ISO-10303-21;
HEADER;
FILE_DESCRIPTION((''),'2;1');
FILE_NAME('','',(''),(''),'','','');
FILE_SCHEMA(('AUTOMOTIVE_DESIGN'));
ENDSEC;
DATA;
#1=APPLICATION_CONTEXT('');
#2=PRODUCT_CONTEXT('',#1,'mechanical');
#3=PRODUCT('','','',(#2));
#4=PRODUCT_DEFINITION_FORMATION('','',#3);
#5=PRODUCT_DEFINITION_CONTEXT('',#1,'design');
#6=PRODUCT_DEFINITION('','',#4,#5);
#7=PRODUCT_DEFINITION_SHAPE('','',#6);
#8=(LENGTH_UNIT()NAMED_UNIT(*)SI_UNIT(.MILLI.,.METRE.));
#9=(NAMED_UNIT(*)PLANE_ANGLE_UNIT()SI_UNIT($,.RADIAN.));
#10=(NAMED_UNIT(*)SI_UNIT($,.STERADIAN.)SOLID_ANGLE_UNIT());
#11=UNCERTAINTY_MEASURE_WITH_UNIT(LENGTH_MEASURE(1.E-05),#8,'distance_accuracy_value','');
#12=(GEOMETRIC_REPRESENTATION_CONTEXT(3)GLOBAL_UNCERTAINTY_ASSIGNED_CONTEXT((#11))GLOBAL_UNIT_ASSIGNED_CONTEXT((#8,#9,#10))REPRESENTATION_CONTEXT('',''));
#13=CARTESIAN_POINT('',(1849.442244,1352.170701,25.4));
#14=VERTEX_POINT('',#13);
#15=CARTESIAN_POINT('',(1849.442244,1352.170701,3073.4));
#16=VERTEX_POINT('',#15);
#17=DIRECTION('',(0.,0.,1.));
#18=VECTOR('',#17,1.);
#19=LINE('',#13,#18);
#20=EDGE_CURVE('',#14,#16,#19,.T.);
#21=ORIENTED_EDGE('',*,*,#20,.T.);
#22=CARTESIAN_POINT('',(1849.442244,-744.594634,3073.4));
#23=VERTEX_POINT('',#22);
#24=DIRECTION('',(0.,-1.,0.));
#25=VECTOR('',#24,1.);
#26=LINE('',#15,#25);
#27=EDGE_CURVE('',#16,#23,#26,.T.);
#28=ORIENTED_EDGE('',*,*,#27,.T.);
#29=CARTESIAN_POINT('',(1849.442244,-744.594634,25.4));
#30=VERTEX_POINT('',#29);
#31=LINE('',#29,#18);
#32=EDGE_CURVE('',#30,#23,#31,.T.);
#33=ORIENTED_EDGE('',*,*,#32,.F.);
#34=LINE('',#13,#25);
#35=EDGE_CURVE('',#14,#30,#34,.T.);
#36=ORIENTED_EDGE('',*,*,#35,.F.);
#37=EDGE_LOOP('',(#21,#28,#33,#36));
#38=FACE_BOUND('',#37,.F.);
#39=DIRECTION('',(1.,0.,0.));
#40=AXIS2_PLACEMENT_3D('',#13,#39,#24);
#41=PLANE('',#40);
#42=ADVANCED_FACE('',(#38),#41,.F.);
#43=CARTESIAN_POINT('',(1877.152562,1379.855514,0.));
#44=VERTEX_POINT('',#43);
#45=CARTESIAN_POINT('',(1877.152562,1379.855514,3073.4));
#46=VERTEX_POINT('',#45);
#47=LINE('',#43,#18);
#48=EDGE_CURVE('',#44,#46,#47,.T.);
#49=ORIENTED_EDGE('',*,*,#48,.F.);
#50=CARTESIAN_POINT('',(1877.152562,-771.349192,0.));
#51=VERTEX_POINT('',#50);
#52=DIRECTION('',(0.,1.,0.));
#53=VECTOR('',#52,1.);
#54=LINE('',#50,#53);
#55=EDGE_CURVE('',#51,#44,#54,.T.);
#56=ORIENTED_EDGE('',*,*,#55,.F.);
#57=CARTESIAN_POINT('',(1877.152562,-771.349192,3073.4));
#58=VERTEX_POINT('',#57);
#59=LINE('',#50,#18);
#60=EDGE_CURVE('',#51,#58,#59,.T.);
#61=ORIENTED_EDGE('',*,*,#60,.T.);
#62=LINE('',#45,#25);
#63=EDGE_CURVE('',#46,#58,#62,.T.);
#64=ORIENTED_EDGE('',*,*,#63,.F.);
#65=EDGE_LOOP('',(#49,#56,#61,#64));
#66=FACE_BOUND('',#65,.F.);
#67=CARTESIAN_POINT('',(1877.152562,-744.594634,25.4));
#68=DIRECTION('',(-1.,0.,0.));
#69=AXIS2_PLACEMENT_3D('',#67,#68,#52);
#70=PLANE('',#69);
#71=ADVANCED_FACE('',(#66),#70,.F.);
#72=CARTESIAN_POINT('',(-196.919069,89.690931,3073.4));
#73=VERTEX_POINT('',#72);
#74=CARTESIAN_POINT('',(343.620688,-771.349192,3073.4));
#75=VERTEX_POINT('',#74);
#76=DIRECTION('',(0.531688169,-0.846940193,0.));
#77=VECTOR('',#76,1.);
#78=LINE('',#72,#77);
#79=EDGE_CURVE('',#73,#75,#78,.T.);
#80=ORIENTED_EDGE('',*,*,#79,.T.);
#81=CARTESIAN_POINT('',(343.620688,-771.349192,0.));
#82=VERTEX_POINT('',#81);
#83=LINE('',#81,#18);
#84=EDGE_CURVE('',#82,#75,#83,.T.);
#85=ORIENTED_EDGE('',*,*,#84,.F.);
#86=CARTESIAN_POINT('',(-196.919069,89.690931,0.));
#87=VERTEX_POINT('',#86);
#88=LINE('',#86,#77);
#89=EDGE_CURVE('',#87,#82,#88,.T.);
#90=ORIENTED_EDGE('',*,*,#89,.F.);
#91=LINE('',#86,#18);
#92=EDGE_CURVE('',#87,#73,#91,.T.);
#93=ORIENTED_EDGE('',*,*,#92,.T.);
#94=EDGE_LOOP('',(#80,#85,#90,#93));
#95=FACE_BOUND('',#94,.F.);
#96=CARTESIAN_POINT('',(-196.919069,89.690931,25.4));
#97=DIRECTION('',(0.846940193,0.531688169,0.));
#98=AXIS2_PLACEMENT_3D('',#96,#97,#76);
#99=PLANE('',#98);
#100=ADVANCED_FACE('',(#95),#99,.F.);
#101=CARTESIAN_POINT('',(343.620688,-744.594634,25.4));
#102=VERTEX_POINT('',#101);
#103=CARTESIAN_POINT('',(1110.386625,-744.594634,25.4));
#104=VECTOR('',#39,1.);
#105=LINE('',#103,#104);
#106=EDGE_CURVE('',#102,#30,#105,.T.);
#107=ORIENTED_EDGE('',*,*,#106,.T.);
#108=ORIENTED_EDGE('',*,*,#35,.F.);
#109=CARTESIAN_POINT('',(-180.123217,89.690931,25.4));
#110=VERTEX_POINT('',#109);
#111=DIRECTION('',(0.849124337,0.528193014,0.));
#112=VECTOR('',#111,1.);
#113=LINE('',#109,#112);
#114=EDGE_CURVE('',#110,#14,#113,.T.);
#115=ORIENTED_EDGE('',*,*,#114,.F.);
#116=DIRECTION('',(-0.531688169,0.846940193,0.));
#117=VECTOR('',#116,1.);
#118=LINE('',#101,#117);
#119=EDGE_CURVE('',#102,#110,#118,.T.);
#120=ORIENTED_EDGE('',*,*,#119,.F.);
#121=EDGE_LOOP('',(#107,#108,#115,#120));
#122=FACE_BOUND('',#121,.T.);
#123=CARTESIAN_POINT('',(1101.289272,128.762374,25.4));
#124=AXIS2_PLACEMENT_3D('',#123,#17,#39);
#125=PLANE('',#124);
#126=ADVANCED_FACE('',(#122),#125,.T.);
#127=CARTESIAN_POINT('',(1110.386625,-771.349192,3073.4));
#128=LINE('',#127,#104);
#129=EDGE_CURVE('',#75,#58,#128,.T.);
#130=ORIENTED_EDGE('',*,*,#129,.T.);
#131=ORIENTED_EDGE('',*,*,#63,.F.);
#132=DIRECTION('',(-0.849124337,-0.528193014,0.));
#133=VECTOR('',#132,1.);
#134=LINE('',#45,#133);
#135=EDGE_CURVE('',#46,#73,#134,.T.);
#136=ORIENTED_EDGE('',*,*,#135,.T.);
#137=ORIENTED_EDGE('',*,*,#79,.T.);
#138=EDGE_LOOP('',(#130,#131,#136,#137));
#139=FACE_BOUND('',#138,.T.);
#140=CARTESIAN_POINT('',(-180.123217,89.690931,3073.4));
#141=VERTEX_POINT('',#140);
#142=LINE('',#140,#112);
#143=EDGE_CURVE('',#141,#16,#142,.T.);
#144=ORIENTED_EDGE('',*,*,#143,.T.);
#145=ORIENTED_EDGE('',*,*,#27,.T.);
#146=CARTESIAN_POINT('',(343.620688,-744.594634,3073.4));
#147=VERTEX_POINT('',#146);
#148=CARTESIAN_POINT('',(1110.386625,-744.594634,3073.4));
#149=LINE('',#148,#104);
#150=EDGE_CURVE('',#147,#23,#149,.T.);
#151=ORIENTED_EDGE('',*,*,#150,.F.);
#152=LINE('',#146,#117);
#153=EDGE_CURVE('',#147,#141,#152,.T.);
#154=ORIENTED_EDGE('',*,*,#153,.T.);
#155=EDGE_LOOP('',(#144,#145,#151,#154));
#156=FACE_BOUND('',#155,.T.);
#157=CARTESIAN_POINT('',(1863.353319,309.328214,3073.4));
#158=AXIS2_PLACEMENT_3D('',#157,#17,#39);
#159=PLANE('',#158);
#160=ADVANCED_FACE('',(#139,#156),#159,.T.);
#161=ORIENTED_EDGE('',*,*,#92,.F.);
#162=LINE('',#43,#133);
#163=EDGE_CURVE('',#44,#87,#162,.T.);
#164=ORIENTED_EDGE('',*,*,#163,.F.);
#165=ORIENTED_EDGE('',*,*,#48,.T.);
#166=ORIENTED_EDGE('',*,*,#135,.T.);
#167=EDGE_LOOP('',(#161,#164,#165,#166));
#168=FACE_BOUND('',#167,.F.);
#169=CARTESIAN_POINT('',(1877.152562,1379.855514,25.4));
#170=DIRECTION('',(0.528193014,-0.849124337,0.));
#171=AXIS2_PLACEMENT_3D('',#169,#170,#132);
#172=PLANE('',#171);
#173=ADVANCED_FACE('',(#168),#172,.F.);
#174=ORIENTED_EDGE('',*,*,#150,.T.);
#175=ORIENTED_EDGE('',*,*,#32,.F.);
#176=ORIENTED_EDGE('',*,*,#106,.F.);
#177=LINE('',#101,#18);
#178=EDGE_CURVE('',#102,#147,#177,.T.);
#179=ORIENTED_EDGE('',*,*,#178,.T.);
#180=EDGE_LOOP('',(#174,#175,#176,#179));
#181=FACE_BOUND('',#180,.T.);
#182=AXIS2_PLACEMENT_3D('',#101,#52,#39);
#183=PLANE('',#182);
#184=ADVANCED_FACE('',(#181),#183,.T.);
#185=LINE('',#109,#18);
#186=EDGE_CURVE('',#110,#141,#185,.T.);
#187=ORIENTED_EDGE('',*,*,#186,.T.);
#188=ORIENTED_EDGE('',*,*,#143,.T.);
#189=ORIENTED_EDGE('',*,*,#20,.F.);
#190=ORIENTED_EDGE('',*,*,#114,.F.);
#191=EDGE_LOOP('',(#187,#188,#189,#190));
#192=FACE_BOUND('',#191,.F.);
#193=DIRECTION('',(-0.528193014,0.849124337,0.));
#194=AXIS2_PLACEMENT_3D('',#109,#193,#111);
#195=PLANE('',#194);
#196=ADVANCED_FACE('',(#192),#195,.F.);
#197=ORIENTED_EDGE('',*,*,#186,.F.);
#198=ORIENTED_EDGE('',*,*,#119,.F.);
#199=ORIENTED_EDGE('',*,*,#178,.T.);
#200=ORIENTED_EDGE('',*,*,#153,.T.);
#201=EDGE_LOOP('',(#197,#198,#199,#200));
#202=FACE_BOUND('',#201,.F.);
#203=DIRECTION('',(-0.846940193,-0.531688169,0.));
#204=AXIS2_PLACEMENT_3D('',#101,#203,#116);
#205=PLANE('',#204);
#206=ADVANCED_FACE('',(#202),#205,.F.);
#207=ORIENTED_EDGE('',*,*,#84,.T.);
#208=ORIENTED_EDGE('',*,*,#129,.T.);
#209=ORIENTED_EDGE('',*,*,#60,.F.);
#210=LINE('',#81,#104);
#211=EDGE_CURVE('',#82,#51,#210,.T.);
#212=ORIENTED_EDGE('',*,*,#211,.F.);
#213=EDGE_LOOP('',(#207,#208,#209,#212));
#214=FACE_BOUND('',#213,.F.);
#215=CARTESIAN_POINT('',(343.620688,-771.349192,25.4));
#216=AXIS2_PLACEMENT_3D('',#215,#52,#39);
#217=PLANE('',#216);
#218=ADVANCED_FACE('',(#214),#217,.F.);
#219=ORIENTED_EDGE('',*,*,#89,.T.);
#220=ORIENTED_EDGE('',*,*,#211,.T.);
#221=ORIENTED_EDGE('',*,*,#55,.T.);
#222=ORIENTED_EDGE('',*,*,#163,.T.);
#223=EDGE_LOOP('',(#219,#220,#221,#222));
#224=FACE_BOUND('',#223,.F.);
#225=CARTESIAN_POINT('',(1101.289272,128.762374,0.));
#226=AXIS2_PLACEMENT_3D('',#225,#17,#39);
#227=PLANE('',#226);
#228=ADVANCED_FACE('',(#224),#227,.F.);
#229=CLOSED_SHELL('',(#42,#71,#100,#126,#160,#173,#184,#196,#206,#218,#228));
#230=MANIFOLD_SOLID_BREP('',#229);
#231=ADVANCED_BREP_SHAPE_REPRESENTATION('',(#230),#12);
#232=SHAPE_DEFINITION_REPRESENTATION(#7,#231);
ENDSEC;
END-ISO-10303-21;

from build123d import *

# Parameters (mm, degrees)
F1_DEPTH = 25.4
F2_W     = 1533.531874
F2_H     = 26.754558
F3_DEPTH = 3048
F5_DEPTH = 3048
F7_DEPTH = 3048
F9_DEPTH = 3048


with BuildPart() as f1:
    # F0 (on Top) → F1 (new body)
    with BuildSketch(Plane.XY):
        Polygon((1877.152562, 1379.855514), (-196.919069, 89.690931), (343.620688, -771.349192), (1877.152562, -771.349192), align=None)
    extrude(amount=F1_DEPTH)

    # F2 (on face) → F3 (join)
    with BuildSketch(Plane.XY.offset(25.4)):
        with Locations((1110.386625, -757.971913)):
            Rectangle(F2_W, F2_H)
    extrude(amount=F3_DEPTH)

    # F4 (on face) → F5 (join)
    with BuildSketch(Plane.XY.offset(25.4)):
        Polygon((-180.123217, 89.690931), (-196.919069, 89.690931), (343.620688, -771.349192), (343.620688, -744.594634), align=None)
    extrude(amount=F5_DEPTH)

    # F6 (on face) → F7 (join)
    with BuildSketch(Plane.XY.offset(25.4)):
        Polygon((1877.152562, 1369.407748), (1877.152562, 1379.855514), (-196.919069, 89.690931), (-180.123217, 89.690931), align=None)
    extrude(amount=F7_DEPTH)

    # F8 (on face) → F9 (join)
    with BuildSketch(Plane.XY.offset(25.4)):
        Polygon((1877.152562, -744.594634), (1877.152562, 1369.407748), (1849.442244, 1352.170701), (1849.442244, -744.594634), align=None)
    extrude(amount=F9_DEPTH)


solid = f1.part
